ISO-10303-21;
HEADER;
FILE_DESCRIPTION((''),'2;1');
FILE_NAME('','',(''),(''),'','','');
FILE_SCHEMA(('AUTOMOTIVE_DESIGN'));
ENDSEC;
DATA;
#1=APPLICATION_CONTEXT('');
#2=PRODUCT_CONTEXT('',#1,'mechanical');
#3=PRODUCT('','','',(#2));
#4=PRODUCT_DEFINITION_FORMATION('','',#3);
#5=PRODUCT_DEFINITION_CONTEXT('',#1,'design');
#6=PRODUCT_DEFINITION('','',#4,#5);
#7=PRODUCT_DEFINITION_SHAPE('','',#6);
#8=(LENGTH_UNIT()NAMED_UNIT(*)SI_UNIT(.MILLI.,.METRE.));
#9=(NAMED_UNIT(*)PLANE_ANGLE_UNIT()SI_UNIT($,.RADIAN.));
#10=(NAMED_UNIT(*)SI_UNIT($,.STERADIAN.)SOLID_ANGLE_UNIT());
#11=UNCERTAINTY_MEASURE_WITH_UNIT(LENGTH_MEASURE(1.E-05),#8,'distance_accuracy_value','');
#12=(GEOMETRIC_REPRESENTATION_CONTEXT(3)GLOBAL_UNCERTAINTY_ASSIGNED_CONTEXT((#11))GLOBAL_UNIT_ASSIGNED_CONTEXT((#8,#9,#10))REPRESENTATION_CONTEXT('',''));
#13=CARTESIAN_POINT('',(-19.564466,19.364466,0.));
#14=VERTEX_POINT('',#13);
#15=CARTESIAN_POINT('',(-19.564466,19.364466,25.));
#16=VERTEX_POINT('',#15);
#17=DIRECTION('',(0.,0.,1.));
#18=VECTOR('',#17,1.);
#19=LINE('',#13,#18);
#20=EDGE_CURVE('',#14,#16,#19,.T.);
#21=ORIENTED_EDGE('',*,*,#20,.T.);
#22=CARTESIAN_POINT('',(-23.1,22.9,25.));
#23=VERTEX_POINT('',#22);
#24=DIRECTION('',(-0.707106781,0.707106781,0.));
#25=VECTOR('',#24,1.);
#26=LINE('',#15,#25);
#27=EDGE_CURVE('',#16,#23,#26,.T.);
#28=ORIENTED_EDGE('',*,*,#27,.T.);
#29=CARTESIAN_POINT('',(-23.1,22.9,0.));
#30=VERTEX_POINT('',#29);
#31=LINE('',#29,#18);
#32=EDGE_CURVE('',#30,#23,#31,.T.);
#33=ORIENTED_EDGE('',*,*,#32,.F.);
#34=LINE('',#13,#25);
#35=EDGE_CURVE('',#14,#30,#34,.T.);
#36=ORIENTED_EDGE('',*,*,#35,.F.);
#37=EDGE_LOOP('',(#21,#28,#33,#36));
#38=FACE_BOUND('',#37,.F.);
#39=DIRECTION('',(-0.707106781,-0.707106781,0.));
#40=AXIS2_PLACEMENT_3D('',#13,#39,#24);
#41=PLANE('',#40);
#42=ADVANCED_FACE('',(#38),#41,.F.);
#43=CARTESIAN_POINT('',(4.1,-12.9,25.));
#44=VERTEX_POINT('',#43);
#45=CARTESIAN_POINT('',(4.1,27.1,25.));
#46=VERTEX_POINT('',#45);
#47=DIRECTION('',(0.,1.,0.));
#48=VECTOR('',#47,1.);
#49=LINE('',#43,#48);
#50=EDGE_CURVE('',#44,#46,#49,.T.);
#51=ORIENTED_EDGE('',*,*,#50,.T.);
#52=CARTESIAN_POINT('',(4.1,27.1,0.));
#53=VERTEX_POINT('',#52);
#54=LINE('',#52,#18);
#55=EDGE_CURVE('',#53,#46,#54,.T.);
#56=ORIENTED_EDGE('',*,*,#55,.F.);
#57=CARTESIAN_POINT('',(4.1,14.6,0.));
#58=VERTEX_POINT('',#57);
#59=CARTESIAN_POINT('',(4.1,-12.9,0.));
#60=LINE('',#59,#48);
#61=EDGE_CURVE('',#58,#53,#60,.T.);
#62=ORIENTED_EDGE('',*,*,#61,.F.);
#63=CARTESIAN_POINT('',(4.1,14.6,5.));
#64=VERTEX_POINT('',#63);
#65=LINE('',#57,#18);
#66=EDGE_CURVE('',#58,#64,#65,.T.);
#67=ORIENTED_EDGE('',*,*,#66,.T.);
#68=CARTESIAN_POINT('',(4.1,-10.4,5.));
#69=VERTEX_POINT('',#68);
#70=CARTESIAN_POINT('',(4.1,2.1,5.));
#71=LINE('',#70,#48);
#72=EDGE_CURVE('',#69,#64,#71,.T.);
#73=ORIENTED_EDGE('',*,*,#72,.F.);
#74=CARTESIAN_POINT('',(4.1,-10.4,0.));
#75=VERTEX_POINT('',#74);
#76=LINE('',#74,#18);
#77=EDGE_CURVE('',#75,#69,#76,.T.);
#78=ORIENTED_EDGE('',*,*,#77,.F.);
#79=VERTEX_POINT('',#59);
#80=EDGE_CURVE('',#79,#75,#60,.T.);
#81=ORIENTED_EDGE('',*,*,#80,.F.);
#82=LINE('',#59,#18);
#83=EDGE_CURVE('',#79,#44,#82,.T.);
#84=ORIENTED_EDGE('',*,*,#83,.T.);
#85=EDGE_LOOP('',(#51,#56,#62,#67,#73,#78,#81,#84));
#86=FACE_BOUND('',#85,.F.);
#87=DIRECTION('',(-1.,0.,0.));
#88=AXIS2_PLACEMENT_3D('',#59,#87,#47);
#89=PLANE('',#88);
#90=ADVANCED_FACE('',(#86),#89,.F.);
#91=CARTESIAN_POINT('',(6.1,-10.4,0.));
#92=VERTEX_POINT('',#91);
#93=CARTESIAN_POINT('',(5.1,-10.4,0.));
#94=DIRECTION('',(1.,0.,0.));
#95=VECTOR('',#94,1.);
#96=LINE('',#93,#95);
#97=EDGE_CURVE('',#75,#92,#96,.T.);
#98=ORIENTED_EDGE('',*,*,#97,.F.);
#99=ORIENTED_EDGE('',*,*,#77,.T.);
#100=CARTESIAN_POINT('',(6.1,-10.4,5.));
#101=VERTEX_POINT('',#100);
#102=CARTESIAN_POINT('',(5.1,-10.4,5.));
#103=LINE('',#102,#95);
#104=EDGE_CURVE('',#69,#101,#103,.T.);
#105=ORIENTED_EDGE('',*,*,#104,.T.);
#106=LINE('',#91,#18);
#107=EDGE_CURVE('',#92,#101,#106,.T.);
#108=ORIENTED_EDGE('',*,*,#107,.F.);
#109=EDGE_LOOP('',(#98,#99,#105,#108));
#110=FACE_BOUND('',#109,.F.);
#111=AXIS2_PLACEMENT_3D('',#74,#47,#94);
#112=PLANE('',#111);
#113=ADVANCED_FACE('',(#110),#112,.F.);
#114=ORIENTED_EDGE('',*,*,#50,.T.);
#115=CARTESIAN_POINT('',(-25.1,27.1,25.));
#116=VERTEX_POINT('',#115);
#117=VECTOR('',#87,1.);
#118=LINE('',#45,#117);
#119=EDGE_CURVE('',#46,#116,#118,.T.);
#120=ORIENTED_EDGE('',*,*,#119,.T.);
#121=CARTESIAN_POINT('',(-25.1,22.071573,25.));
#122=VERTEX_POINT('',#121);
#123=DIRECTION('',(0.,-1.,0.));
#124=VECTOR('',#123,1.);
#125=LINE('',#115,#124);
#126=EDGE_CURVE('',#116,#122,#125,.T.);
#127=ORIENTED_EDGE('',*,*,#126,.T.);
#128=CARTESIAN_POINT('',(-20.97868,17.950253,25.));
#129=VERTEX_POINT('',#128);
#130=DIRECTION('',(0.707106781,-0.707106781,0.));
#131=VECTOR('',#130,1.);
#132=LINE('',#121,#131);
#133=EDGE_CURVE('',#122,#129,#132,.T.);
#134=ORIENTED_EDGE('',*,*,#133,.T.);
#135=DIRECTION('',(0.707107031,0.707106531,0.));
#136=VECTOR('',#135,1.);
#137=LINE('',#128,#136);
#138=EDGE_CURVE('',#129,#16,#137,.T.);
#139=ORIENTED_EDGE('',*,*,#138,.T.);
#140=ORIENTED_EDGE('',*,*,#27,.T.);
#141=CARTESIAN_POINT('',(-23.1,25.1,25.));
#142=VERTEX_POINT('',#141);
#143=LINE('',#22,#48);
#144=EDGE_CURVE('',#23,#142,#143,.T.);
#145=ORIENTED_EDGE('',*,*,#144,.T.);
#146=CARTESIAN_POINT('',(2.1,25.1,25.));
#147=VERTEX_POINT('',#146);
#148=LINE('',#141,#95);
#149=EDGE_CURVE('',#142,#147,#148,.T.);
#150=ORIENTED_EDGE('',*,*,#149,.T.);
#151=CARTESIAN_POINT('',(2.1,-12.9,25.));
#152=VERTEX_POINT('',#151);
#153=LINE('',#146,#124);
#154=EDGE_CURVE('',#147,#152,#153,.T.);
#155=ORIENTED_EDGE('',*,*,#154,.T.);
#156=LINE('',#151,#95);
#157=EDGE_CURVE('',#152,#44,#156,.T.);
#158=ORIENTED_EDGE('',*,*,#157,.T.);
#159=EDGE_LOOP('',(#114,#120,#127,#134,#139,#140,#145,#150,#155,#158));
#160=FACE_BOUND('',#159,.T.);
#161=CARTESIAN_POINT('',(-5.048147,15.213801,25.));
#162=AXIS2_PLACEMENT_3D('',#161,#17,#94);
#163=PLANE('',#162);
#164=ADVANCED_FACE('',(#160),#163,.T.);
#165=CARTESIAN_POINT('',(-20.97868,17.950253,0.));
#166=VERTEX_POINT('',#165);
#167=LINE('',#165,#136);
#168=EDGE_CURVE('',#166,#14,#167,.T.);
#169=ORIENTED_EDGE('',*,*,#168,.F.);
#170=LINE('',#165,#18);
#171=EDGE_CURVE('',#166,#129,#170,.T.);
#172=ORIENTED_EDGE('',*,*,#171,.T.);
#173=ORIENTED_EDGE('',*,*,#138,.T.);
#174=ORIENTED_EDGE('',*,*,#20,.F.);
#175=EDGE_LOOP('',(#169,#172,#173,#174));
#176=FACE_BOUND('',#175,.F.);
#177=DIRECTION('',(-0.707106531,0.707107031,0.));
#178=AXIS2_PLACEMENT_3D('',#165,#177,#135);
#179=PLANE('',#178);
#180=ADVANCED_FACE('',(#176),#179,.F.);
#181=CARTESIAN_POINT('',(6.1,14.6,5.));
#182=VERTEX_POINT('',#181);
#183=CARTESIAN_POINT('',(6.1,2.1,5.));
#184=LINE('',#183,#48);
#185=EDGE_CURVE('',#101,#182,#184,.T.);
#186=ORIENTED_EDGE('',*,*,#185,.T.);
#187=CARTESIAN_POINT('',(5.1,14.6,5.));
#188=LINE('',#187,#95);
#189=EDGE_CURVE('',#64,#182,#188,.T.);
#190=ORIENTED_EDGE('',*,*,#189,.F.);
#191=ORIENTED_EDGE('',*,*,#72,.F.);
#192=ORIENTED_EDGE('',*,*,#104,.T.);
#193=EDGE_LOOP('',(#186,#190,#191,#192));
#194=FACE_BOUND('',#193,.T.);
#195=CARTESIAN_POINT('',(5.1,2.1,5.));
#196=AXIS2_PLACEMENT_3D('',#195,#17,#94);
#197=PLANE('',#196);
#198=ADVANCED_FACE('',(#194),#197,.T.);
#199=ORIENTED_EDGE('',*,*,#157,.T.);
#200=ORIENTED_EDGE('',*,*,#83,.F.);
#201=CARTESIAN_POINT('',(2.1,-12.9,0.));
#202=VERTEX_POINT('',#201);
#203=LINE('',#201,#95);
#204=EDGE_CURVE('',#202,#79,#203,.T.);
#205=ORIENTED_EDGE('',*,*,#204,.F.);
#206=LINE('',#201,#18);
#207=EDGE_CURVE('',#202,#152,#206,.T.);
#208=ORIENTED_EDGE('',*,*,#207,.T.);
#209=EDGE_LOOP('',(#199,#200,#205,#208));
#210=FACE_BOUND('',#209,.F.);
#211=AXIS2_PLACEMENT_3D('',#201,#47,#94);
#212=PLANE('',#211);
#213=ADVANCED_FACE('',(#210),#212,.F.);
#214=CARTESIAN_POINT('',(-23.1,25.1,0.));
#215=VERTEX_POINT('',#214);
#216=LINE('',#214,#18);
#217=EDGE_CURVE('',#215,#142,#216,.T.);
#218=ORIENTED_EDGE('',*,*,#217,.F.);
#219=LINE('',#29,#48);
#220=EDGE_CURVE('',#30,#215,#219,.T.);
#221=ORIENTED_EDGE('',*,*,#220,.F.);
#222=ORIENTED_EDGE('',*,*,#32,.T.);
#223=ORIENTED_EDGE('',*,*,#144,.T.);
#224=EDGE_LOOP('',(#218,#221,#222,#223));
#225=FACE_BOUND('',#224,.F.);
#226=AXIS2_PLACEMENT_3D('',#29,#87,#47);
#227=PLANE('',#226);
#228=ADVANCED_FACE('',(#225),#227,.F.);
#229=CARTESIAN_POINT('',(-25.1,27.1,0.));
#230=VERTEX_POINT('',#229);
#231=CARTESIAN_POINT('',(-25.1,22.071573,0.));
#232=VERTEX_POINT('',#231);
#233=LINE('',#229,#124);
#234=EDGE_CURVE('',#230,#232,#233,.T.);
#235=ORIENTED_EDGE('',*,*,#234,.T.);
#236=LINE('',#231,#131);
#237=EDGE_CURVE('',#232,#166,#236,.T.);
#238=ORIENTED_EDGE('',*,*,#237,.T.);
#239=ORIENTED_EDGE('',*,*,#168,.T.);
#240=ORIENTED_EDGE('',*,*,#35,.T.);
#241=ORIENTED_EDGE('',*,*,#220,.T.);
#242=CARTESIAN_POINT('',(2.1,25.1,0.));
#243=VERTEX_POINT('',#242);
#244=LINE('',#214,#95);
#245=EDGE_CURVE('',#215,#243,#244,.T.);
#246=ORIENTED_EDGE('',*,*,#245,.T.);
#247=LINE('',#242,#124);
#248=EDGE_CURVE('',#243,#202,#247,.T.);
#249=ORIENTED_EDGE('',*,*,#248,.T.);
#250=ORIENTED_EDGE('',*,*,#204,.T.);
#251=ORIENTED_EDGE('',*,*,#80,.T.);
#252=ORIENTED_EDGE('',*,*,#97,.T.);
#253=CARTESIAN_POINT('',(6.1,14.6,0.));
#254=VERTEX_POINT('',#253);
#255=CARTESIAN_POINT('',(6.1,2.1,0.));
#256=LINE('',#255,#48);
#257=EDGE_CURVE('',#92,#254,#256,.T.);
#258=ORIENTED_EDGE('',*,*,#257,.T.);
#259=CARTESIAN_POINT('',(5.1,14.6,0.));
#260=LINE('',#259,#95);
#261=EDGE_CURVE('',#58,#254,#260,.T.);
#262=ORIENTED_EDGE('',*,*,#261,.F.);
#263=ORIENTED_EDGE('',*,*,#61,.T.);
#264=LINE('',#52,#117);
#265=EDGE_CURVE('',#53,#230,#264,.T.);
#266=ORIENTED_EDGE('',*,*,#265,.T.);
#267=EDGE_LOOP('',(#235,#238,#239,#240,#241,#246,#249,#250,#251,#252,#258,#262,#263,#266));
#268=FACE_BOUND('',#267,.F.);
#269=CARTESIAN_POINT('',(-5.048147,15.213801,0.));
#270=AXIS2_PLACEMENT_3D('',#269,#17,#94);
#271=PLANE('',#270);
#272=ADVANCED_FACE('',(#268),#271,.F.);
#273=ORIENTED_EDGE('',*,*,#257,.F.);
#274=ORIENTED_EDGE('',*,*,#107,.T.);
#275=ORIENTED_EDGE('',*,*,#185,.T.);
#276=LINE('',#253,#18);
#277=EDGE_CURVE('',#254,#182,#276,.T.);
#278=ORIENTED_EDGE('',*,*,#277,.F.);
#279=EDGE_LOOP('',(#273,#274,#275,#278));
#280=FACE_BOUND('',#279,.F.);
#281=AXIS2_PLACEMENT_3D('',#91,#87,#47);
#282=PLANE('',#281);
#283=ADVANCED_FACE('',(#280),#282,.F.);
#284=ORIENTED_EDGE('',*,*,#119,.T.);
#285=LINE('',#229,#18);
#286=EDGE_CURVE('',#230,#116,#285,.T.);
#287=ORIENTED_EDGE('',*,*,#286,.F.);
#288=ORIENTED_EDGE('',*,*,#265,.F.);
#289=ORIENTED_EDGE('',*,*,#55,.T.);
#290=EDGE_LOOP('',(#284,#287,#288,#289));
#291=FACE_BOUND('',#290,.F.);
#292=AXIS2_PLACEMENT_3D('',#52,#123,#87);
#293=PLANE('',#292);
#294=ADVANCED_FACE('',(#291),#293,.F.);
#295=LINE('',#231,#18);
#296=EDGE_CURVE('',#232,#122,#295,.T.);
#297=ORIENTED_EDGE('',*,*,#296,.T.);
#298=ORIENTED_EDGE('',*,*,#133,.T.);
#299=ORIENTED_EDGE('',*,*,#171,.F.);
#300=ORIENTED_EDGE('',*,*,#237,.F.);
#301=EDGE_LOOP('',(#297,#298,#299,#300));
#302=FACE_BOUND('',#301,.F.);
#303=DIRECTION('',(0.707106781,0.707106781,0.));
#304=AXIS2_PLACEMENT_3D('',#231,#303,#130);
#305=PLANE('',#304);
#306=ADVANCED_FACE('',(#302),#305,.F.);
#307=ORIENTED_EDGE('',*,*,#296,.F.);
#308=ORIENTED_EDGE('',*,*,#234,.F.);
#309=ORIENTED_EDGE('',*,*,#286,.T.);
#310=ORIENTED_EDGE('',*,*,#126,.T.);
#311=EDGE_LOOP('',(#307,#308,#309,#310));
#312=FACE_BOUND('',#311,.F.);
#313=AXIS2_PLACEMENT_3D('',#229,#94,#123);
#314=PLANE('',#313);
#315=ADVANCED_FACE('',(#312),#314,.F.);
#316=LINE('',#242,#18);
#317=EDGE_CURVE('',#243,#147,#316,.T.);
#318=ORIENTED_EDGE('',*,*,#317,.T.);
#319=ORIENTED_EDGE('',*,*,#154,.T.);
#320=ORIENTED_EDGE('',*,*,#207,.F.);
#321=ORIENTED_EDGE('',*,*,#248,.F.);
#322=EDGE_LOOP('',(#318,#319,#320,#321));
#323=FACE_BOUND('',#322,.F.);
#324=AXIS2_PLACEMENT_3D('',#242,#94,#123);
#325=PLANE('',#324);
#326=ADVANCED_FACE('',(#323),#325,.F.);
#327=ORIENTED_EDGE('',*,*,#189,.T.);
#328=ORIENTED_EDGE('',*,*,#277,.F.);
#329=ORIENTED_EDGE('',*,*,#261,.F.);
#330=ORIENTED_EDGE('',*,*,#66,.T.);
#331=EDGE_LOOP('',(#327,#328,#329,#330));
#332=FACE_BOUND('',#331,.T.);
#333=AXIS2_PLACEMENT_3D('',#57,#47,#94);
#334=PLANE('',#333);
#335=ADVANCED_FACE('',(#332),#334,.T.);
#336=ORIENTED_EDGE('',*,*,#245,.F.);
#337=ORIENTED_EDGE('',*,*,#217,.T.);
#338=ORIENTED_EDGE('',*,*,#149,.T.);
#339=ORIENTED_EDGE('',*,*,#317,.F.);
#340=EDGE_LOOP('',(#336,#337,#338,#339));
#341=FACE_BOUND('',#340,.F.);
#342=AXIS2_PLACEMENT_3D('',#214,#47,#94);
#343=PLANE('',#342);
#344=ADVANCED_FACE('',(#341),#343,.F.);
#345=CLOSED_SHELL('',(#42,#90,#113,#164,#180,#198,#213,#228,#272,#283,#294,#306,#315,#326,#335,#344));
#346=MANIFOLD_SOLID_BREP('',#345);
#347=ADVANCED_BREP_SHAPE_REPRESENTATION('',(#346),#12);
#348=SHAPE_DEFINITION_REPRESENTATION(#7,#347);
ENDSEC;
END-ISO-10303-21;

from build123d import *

# Parameters (mm, degrees)
F1_DEPTH = 25
F0_W     = 2
F0_H     = 25
F2_DEPTH = 5


with BuildPart() as f1:
    # F0 (on Top) → F1 (new body)
    with BuildSketch(Plane.XY):
        Polygon((-19.564466, 19.364466), (-23.1, 22.9), (-23.1, 25.1), (2.1, 25.1), (2.1, -12.9), (4.1, -12.9), (4.1, -10.4), (4.1, 14.6), (4.1, 27.1), (-25.1, 27.1), (-25.1, 22.071573), (-20.97868, 17.950253), align=None)
    extrude(amount=F1_DEPTH)

    # F0 (on Top) → F2 (join)
    with BuildSketch(Plane.XY):
        with Locations((5.1, 2.1)):
            Rectangle(F0_W, F0_H)
    extrude(amount=F2_DEPTH)


solid = f1.part
